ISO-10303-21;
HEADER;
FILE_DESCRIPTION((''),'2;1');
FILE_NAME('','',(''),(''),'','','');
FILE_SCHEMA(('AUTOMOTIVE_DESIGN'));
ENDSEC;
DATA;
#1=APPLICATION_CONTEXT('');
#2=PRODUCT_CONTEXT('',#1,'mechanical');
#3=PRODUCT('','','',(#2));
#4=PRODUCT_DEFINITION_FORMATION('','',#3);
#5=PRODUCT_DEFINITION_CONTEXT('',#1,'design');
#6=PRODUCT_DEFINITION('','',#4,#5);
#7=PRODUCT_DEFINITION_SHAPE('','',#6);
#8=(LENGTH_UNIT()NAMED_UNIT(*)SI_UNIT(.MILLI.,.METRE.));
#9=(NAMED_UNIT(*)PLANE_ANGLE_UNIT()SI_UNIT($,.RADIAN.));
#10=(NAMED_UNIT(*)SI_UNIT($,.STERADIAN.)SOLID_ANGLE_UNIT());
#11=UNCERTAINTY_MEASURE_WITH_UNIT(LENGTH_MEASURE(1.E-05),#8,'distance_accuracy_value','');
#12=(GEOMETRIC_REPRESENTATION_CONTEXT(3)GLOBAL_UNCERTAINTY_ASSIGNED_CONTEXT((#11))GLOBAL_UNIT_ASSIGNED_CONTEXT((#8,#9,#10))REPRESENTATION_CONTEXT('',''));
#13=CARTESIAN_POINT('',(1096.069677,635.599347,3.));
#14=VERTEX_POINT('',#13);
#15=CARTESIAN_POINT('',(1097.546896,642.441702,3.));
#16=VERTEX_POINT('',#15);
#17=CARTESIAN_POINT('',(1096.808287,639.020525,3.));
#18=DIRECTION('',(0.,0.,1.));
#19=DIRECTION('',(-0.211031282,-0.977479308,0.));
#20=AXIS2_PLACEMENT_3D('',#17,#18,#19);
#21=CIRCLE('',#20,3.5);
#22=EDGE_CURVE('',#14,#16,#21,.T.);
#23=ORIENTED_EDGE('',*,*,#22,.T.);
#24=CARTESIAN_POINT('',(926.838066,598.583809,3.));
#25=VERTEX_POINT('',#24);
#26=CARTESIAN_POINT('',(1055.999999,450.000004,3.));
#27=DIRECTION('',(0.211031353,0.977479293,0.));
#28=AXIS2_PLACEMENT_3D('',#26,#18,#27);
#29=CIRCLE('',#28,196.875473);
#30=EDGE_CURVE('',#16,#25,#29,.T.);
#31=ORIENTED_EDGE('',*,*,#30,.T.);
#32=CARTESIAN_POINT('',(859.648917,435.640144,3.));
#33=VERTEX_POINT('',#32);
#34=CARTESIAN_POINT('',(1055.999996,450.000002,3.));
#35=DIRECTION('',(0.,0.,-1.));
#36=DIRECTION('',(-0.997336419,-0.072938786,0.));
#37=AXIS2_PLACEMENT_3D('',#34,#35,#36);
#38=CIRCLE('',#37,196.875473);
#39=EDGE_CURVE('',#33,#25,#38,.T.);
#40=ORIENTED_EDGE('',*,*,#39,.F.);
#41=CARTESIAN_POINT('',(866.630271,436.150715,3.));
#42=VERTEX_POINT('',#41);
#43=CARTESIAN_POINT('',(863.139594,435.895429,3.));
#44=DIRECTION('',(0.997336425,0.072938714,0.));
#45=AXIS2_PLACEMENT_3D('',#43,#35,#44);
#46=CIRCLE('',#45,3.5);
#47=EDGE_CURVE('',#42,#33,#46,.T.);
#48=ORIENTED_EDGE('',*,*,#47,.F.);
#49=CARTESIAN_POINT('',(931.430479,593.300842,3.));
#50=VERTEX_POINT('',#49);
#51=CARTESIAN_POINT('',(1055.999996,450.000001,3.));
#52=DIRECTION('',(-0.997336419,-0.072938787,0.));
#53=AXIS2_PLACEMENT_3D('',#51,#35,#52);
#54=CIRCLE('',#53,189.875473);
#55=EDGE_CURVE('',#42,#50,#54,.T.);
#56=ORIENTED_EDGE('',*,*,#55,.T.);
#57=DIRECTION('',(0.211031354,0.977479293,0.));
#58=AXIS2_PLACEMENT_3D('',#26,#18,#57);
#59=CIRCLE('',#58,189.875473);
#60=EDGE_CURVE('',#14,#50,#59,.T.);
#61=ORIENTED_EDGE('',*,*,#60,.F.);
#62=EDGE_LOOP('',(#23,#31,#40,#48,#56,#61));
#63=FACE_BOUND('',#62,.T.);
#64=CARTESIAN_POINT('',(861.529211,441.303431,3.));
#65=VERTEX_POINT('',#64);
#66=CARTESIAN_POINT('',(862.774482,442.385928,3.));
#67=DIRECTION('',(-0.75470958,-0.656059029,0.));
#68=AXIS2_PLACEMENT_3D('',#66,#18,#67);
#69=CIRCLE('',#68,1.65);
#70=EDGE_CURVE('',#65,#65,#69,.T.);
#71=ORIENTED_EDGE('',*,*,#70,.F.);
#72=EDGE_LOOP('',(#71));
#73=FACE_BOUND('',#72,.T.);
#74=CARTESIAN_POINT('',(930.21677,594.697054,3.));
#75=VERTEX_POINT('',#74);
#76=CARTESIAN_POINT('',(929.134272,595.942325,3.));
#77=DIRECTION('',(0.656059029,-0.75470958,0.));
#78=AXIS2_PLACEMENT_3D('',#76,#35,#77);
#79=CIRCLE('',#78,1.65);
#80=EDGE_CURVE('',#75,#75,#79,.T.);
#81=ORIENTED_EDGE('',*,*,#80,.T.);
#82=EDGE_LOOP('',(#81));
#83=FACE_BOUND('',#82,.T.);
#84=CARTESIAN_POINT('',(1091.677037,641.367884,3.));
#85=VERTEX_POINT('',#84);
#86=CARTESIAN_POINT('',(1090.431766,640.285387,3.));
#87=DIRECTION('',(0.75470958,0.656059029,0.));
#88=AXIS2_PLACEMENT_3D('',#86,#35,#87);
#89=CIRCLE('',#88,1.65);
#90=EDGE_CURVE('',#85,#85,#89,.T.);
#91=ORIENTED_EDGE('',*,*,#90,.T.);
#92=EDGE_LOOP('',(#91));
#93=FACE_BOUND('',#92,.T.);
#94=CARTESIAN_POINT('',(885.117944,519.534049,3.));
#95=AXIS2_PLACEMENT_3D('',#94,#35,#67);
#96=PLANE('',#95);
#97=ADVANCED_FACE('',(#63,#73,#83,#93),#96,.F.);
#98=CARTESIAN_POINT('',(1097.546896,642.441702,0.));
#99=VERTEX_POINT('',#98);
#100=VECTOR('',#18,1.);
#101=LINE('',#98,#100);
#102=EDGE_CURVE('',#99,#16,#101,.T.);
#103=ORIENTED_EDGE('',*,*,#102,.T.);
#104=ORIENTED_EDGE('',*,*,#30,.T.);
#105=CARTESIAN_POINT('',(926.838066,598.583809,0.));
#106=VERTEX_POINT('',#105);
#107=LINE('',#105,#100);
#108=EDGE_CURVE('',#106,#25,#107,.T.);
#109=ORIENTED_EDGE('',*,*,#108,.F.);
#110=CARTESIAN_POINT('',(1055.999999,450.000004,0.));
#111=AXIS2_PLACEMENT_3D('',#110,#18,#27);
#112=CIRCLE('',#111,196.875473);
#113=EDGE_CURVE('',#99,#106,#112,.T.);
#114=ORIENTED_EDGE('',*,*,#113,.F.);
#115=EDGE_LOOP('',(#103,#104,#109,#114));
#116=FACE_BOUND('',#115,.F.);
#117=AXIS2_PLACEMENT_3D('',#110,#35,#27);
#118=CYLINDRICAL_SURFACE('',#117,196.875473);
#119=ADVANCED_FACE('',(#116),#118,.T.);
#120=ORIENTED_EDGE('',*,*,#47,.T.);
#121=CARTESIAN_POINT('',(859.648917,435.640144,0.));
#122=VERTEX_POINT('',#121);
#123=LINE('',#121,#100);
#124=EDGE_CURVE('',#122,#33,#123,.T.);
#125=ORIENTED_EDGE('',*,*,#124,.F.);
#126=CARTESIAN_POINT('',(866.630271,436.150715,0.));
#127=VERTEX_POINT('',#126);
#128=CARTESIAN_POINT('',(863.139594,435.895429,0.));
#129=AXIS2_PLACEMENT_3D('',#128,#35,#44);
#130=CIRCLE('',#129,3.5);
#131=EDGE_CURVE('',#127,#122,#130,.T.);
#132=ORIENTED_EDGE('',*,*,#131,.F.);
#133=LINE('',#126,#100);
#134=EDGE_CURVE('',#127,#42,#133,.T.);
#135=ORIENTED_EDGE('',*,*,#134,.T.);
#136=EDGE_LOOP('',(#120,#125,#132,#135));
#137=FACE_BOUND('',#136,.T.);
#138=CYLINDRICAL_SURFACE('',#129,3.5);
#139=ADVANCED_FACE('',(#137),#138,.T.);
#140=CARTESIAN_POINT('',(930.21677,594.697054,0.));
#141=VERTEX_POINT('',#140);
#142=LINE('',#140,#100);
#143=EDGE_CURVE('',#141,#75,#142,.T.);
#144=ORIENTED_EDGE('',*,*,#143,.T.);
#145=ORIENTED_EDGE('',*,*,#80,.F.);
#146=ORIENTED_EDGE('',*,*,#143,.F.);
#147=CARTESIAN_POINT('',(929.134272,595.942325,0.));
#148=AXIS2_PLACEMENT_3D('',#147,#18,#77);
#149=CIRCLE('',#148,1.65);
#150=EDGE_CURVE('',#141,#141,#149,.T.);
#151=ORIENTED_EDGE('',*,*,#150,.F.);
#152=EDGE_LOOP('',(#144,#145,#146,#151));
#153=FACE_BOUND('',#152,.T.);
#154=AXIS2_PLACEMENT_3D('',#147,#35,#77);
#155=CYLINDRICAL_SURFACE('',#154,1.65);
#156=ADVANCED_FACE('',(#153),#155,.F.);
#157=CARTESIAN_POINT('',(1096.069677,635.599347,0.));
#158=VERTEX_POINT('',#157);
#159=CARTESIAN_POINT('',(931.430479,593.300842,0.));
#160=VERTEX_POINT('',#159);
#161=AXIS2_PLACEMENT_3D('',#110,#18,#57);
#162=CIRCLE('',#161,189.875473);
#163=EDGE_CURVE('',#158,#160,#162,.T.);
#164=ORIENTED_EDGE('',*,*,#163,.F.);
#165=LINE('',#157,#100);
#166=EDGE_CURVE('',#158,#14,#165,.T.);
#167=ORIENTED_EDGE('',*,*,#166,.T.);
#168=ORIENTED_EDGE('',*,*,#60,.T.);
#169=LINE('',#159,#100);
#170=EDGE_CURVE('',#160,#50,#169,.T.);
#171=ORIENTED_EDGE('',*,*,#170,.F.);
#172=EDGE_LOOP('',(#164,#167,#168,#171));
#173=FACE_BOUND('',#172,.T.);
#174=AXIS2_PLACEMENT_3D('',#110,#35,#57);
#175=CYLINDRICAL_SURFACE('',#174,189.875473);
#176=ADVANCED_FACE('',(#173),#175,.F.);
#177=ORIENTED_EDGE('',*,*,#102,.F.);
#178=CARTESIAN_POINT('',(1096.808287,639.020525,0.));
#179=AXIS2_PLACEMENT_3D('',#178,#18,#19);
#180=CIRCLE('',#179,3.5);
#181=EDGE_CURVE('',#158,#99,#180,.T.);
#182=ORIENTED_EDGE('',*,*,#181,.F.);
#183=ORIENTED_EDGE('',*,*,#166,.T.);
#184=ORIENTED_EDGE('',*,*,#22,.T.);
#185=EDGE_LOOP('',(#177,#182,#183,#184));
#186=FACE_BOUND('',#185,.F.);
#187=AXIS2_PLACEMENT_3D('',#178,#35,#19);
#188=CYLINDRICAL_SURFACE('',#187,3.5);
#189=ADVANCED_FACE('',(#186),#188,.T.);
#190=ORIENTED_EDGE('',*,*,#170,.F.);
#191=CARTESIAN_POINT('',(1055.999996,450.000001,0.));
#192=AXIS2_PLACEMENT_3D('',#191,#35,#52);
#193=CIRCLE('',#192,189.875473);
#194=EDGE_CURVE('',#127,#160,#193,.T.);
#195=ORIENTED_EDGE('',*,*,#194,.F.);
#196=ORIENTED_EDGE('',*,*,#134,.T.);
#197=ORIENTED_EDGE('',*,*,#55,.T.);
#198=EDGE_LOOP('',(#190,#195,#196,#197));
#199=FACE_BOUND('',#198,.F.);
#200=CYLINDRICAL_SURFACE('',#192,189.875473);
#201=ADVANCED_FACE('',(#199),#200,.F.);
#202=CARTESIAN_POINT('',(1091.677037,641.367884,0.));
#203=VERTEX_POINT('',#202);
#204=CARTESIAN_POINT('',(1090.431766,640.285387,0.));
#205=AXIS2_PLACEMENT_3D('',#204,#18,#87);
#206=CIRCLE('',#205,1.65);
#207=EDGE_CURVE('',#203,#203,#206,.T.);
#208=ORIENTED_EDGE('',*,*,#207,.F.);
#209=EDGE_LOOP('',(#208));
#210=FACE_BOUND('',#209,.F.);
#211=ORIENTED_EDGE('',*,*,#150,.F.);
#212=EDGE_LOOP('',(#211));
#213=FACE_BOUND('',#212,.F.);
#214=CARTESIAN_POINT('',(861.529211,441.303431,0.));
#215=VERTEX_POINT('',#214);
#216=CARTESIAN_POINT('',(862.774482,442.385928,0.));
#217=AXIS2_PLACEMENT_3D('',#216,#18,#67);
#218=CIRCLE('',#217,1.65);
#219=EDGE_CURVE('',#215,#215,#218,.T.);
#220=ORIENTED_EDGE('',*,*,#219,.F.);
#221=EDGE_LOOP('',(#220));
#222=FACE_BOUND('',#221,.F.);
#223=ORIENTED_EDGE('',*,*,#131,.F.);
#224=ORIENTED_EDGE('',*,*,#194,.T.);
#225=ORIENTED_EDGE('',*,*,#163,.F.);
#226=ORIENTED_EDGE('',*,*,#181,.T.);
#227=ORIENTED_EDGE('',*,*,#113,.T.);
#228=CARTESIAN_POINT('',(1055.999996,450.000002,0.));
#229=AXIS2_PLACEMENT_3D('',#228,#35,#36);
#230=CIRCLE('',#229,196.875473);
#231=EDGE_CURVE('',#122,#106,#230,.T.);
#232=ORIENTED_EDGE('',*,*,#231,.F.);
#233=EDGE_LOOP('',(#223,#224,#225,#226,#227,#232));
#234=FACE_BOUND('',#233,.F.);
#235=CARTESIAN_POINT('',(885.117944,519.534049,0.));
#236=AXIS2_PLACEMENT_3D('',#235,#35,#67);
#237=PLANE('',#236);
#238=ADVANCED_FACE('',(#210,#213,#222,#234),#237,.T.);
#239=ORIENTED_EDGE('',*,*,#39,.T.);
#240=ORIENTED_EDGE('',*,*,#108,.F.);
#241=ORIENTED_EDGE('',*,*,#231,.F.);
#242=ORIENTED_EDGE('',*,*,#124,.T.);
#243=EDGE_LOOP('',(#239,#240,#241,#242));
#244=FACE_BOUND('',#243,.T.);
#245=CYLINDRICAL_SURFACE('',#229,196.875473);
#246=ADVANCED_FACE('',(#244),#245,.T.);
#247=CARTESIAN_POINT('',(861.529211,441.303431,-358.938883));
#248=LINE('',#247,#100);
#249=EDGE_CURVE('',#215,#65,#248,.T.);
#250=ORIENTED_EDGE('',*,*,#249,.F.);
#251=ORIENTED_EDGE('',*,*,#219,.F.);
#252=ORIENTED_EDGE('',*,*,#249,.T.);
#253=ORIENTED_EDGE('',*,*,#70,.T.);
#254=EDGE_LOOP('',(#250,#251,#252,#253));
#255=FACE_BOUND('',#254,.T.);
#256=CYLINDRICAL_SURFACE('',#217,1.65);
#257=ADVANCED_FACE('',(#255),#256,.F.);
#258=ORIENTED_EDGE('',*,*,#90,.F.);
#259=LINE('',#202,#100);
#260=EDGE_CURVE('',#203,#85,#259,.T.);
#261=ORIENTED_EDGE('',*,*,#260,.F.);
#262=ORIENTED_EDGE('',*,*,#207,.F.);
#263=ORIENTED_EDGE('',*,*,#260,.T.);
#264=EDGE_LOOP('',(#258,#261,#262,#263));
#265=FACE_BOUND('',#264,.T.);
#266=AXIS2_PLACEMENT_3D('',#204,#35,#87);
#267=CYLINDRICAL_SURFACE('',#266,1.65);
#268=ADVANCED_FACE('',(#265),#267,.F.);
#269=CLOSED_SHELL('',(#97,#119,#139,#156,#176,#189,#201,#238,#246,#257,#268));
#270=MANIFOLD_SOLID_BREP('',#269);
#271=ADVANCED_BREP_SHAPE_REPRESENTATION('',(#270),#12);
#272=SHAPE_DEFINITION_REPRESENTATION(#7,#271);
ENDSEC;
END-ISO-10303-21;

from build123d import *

# Parameters (mm, degrees)
PAD015_DEPTH                        = 3
SKETCH054_R                         = 1.65
POCKET018_DEPTH                     = 358.938883
POCKET018_DEPTH_BACK                = 361.938883
BODY001003005003004_PLACEMENT_ANGLE = 60
CLONE006_PLACEMENT_ANGLE            = 19


with BuildPart() as part:
    # Sketch053 → Pad015 (new body)
    with BuildSketch(Plane.XY):
        with BuildLine():
            ThreePointArc((152.005097, 113.785532), (84.992984, 169.790723), (0, 189.875477))
            Line((0, 189.875477), (0, 196.875477))
            ThreePointArc((157.608957, 117.98038), (88.126358, 176.050273), (0, 196.875477))
            ThreePointArc((152.005097, 113.785532), (156.904451, 113.081026), (157.608957, 117.98038))
        make_face()
    pad015 = extrude(amount=PAD015_DEPTH)

    # Sketch054 → Pocket018 (cut, two sides)
    with BuildSketch(Plane.XY) as pocket018_sk:
        with Locations((150.82443, 121.020933)):
            Circle(SKETCH054_R)
        with BuildLine():
            ThreePointArc((0, 191.725477), (1.65, 193.375477), (0, 195.025477))
            Line((0, 191.725477), (0, 195.025477))
        make_face()
    pocket018 = extrude(amount=-POCKET018_DEPTH, mode=Mode.SUBTRACT) + extrude(pocket018_sk.sketch, amount=POCKET018_DEPTH_BACK, mode=Mode.SUBTRACT)

    # Mirrored020: Pad015, Pocket018 across Sketch053 V_Axis
    add(pad015.mirror(Plane(origin=(0, 0, 0), x_dir=(0, 0, 1), z_dir=(1, 0, 0))))
    add(pocket018.mirror(Plane(origin=(0, 0, 0), x_dir=(0, 0, 1), z_dir=(1, 0, 0))), mode=Mode.SUBTRACT)


with BuildPart() as part_1:
    # Body001003005003004 placement: moved
    add(part.part.rotate(Axis((0, 0, 0), (0, 0, 1)), BODY001003005003004_PLACEMENT_ANGLE))


with BuildPart() as part_2:
    # Clone006 placement: moved
    add(part_1.part.moved(Location((1056, 450, 0))).rotate(Axis((1056, 450, 0), (0, 0, -1)), CLONE006_PLACEMENT_ANGLE))


solid = part_2.part
